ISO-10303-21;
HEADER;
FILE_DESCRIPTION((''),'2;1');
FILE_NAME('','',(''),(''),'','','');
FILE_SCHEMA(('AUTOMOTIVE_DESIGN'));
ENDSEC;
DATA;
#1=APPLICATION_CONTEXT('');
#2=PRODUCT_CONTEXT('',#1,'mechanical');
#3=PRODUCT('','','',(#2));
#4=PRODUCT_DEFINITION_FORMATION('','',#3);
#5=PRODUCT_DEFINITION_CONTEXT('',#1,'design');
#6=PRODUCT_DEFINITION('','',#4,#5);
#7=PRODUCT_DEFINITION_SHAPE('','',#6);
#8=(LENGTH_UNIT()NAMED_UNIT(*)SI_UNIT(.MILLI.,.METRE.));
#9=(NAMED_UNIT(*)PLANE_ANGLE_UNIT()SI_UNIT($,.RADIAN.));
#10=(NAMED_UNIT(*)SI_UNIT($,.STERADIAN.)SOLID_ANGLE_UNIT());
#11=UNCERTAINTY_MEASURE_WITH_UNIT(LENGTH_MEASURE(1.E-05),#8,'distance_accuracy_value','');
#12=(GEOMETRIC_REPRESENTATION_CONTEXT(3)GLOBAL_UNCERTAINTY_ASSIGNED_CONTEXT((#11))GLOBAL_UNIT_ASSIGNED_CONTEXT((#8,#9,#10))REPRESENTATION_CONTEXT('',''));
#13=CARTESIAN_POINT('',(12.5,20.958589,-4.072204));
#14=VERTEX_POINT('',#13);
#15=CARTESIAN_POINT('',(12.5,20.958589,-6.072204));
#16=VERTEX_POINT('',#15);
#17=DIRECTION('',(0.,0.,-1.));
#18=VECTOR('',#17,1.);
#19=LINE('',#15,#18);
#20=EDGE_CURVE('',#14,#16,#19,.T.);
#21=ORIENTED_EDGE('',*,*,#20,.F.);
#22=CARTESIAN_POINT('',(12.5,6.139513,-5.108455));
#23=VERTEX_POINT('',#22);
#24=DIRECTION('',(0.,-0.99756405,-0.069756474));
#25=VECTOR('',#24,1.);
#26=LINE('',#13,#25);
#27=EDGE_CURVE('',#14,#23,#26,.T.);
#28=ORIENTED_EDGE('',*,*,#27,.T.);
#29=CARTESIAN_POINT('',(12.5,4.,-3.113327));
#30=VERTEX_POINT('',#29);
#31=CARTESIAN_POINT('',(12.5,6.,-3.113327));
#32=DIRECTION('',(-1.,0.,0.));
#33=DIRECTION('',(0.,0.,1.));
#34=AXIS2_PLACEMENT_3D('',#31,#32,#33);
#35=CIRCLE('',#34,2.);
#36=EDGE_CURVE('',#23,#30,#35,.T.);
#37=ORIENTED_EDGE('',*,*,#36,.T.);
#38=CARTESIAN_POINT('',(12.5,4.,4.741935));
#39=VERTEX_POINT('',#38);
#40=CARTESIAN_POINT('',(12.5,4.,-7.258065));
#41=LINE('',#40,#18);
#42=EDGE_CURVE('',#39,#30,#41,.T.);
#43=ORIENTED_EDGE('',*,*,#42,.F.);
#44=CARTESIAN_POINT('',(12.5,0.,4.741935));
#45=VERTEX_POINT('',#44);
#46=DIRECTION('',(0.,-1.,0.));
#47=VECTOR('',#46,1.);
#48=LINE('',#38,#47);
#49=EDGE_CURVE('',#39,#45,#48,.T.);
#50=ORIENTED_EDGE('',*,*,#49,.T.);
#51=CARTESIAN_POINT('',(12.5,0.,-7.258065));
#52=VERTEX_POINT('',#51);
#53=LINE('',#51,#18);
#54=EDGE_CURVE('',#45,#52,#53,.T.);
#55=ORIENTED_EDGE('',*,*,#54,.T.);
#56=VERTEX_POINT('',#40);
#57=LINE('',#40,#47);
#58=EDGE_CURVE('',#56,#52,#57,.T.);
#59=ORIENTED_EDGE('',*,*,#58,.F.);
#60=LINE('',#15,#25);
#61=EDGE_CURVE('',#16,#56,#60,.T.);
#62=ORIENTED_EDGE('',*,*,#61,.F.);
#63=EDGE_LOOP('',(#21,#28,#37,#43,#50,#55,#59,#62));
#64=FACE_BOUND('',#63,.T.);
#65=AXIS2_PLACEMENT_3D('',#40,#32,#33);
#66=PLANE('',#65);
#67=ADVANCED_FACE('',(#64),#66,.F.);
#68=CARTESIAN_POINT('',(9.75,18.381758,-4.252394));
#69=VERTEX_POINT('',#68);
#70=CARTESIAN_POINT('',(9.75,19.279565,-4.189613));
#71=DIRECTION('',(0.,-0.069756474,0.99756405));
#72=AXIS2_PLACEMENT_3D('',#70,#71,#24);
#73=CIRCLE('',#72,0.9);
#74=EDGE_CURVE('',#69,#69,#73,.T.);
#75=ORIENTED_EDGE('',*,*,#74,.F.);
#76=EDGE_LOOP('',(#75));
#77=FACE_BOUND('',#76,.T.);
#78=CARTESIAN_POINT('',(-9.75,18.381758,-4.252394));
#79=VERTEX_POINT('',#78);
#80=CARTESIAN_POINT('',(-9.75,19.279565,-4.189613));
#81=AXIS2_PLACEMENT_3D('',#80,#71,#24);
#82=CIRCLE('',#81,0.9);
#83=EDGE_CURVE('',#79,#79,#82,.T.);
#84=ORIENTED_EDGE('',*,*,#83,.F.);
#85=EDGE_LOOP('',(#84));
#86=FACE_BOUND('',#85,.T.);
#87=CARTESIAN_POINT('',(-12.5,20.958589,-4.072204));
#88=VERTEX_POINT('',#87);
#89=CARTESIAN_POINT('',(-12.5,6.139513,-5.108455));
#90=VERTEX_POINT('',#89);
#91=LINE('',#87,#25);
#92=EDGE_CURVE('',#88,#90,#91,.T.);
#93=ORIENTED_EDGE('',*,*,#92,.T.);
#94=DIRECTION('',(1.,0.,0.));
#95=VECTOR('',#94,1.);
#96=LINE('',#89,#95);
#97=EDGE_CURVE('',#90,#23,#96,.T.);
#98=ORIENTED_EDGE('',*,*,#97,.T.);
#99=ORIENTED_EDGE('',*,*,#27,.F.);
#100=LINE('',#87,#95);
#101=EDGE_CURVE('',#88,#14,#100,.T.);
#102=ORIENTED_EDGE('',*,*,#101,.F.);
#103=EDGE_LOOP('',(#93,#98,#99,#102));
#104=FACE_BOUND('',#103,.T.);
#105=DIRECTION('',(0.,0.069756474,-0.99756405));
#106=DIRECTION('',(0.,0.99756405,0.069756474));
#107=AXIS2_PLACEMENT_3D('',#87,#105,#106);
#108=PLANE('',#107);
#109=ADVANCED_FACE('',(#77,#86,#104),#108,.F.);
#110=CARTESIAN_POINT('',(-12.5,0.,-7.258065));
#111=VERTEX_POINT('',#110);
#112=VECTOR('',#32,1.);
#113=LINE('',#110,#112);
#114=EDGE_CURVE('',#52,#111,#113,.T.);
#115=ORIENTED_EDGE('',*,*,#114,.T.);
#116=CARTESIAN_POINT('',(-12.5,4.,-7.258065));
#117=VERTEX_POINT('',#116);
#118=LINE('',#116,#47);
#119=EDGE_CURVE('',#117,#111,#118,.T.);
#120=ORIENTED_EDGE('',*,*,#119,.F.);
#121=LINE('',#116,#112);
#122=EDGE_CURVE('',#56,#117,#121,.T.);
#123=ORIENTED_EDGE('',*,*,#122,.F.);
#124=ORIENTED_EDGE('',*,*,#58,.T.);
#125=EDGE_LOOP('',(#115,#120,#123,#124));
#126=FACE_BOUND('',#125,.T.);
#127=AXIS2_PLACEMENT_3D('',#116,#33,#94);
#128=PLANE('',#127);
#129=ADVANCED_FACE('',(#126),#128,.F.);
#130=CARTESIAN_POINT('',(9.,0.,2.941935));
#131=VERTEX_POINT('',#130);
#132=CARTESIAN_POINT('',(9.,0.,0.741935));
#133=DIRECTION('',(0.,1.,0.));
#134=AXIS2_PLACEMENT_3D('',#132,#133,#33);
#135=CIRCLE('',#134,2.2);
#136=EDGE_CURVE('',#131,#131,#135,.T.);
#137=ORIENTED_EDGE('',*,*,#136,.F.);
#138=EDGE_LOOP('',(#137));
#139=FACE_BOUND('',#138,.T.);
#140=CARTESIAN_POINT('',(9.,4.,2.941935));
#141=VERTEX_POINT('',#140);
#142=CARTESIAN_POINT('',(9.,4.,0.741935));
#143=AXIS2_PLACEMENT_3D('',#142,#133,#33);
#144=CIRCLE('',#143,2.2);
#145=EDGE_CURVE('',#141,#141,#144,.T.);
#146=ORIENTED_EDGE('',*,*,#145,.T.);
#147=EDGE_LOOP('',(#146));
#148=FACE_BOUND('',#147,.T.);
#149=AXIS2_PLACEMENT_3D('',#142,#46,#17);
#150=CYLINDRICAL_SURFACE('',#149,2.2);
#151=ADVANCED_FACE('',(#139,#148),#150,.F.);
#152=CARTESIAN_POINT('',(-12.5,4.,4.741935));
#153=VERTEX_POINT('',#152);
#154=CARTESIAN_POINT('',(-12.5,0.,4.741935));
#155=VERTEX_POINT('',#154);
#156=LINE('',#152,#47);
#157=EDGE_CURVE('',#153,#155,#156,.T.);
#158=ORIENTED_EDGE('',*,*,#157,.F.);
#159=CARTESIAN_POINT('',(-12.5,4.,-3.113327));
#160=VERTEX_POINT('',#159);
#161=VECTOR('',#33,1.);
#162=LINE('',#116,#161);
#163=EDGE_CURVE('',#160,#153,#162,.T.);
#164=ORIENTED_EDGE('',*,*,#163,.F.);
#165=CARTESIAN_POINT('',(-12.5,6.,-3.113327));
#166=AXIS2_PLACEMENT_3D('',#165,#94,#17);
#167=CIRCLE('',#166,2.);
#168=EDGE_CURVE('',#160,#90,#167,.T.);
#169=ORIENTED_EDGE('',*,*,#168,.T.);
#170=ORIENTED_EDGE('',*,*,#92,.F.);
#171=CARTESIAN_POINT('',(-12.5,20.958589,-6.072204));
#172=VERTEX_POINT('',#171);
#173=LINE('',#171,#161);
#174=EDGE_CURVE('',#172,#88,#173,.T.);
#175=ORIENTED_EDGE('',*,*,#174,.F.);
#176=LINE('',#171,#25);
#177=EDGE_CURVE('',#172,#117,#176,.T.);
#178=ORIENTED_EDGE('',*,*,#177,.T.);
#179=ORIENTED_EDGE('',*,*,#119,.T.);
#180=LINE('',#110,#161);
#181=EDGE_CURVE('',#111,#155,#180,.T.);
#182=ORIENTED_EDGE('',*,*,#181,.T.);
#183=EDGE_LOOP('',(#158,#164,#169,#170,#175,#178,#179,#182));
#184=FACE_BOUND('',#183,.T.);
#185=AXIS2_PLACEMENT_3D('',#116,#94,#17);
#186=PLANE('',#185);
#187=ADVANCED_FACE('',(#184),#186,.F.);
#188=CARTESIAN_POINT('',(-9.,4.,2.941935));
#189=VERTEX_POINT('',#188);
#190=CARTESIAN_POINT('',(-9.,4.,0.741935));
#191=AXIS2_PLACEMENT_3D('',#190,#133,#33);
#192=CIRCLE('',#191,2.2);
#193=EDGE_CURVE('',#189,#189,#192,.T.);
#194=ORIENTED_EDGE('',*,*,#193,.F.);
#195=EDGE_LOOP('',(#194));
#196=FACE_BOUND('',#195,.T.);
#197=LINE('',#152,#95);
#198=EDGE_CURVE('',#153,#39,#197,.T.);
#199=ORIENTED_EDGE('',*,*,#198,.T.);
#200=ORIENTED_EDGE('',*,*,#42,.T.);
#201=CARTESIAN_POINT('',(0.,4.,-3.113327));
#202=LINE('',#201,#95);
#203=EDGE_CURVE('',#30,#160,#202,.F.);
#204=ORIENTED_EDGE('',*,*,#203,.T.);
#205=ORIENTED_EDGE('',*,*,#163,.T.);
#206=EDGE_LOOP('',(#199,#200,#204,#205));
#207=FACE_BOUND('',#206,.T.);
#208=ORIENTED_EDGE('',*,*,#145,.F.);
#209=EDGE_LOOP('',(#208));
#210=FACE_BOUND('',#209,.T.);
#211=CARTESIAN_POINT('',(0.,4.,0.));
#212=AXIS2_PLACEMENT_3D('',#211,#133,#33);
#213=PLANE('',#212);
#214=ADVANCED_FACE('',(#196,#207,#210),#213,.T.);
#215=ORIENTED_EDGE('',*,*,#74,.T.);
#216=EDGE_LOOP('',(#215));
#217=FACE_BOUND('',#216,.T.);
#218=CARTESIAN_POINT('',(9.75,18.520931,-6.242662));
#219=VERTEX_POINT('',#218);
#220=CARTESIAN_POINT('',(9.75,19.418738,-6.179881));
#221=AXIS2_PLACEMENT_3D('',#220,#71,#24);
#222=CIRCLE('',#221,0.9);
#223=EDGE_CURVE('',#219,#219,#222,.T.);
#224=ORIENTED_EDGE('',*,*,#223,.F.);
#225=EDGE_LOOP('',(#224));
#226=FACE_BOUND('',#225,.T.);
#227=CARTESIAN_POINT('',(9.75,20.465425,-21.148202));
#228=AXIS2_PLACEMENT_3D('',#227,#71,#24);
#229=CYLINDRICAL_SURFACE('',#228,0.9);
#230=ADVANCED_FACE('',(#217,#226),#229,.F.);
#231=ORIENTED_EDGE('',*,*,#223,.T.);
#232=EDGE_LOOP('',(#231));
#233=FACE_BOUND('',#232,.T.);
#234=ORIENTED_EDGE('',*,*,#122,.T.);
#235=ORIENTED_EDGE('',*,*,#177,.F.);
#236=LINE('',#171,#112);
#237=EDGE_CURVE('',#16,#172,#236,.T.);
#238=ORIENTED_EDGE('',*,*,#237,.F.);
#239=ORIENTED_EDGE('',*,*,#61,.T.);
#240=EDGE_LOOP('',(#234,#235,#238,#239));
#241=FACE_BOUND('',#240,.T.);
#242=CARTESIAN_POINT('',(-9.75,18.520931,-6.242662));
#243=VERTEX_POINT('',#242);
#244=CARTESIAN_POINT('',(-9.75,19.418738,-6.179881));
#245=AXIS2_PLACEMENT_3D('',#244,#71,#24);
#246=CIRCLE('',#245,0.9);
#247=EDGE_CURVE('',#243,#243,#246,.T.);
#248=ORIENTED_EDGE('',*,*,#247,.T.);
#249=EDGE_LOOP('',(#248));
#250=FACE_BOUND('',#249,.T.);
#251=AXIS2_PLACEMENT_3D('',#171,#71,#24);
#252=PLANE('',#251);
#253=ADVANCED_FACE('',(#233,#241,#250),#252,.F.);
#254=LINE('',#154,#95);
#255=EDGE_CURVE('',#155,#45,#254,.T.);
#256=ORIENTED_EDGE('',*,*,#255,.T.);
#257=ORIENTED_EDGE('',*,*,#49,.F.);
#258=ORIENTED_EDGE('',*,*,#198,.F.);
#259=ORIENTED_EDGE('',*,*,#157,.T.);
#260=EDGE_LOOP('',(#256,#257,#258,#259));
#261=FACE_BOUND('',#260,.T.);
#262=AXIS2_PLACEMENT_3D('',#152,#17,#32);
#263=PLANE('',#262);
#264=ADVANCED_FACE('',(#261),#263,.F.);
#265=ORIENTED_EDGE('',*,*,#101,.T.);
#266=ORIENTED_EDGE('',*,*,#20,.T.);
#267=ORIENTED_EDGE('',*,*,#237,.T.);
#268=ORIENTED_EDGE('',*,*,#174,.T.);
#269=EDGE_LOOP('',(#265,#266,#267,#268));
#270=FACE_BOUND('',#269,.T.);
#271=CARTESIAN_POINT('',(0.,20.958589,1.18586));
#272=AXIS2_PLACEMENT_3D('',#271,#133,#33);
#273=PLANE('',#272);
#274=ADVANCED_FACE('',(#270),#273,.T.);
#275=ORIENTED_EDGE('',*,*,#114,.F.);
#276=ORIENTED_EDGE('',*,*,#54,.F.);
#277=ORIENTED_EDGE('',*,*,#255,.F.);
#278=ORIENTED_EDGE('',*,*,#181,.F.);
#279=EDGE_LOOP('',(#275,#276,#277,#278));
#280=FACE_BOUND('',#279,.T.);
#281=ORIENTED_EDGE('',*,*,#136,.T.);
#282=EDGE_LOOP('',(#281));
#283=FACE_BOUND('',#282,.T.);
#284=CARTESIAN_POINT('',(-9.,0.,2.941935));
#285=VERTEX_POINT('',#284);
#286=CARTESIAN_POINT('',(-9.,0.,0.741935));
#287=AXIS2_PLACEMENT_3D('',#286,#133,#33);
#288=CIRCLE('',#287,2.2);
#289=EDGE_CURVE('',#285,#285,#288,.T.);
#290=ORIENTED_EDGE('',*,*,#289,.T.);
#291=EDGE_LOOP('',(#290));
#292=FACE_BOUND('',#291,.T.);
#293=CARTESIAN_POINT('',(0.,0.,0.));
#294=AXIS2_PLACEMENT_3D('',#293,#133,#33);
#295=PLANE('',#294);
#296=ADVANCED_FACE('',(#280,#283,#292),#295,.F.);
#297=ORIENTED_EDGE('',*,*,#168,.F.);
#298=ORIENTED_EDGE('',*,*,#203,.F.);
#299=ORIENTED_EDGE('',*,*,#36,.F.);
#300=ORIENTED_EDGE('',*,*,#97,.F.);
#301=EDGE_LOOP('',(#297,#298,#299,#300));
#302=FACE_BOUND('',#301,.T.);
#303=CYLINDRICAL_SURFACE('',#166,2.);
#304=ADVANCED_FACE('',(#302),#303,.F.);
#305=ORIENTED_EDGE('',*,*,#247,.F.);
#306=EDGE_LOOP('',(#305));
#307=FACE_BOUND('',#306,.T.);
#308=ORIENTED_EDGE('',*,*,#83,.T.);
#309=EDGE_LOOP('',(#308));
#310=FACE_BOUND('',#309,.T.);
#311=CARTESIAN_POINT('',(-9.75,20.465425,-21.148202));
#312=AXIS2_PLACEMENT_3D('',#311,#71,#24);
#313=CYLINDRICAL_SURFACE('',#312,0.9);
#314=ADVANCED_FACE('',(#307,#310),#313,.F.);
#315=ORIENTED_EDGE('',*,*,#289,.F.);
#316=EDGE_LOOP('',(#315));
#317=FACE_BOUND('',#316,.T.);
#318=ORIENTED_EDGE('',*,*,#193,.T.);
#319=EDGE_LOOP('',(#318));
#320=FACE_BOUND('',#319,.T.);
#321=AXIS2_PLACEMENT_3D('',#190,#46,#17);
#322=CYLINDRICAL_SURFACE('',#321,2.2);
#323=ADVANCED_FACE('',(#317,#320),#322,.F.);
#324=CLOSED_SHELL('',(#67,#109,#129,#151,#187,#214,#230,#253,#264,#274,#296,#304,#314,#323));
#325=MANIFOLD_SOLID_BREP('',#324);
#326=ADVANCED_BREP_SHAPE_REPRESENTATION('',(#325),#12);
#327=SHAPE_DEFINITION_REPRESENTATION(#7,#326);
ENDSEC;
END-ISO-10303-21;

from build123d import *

# Parameters (mm, degrees)
ESQUISSE1_W             = 25
ESQUISSE1_H             = 12
ESQUISSE1_R             = 2.2
BOSS_EXTRU_1_DEPTH      = 4
ESQUISSE5_W             = 25
ESQUISSE5_H             = 2
BOSS_EXTRU_2_DEPTH      = 17
ESQUISSE6_R             = 0.9
ENL_V_MAT_EXTRU_1_DEPTH = 17
CONG_2_R                = 2


with BuildPart() as part:
    # Esquisse1 → Boss.-Extru.1 (new body)
    with BuildSketch(Plane(origin=(0, 0, 0), x_dir=(1, 0, 0), z_dir=(0, 1, 0))):
        with Locations((0, 1.258064516)):
            Rectangle(ESQUISSE1_W, ESQUISSE1_H)
        with Locations(Location((9, -0.741935484, 0), (0, 0, 270))):
            Circle(ESQUISSE1_R, mode=Mode.SUBTRACT)
        with Locations(Location((-9, -0.741935484, 0), (0, 0, 270))):
            Circle(ESQUISSE1_R, mode=Mode.SUBTRACT)
    extrude(amount=BOSS_EXTRU_1_DEPTH)

    # Esquisse5 → Boss.-Extru.2 (add, along a direction that is not the sketch's normal)
    with BuildSketch(Plane(origin=(0, 4, 0), x_dir=(1, 0, 0), z_dir=(0, 1, 0))):
        with Locations((0, 6.258064516)):
            Rectangle(ESQUISSE5_W, ESQUISSE5_H)
    extrude(amount=BOSS_EXTRU_2_DEPTH, dir=(0, 0.9975640502598248, 0.06975647374411817))

    # Esquisse6 → Enlèv. mat.-Extru.1 (cut)
    with BuildSketch(Plane(origin=(0, 0.385354434, -5.510825157), x_dir=(1, 0, 0), z_dir=(0, -0.06975647374411817, 0.9975640502598248))):
        with Locations(Location((-9.75, 18.940348686, 0), (0, 0, 270))):
            Circle(ESQUISSE6_R)
        with Locations(Location((9.75, 18.940348686, 0), (0, 0, 270))):
            Circle(ESQUISSE6_R)
    extrude(amount=-ENL_V_MAT_EXTRU_1_DEPTH, mode=Mode.SUBTRACT)

    # Congé2
    cong_2_edges = [part.edges().sort_by_distance(p)[0] for p in [
        (0, 4, -5.258064516),
    ]]
    fillet(cong_2_edges, radius=CONG_2_R)


solid = part.part
